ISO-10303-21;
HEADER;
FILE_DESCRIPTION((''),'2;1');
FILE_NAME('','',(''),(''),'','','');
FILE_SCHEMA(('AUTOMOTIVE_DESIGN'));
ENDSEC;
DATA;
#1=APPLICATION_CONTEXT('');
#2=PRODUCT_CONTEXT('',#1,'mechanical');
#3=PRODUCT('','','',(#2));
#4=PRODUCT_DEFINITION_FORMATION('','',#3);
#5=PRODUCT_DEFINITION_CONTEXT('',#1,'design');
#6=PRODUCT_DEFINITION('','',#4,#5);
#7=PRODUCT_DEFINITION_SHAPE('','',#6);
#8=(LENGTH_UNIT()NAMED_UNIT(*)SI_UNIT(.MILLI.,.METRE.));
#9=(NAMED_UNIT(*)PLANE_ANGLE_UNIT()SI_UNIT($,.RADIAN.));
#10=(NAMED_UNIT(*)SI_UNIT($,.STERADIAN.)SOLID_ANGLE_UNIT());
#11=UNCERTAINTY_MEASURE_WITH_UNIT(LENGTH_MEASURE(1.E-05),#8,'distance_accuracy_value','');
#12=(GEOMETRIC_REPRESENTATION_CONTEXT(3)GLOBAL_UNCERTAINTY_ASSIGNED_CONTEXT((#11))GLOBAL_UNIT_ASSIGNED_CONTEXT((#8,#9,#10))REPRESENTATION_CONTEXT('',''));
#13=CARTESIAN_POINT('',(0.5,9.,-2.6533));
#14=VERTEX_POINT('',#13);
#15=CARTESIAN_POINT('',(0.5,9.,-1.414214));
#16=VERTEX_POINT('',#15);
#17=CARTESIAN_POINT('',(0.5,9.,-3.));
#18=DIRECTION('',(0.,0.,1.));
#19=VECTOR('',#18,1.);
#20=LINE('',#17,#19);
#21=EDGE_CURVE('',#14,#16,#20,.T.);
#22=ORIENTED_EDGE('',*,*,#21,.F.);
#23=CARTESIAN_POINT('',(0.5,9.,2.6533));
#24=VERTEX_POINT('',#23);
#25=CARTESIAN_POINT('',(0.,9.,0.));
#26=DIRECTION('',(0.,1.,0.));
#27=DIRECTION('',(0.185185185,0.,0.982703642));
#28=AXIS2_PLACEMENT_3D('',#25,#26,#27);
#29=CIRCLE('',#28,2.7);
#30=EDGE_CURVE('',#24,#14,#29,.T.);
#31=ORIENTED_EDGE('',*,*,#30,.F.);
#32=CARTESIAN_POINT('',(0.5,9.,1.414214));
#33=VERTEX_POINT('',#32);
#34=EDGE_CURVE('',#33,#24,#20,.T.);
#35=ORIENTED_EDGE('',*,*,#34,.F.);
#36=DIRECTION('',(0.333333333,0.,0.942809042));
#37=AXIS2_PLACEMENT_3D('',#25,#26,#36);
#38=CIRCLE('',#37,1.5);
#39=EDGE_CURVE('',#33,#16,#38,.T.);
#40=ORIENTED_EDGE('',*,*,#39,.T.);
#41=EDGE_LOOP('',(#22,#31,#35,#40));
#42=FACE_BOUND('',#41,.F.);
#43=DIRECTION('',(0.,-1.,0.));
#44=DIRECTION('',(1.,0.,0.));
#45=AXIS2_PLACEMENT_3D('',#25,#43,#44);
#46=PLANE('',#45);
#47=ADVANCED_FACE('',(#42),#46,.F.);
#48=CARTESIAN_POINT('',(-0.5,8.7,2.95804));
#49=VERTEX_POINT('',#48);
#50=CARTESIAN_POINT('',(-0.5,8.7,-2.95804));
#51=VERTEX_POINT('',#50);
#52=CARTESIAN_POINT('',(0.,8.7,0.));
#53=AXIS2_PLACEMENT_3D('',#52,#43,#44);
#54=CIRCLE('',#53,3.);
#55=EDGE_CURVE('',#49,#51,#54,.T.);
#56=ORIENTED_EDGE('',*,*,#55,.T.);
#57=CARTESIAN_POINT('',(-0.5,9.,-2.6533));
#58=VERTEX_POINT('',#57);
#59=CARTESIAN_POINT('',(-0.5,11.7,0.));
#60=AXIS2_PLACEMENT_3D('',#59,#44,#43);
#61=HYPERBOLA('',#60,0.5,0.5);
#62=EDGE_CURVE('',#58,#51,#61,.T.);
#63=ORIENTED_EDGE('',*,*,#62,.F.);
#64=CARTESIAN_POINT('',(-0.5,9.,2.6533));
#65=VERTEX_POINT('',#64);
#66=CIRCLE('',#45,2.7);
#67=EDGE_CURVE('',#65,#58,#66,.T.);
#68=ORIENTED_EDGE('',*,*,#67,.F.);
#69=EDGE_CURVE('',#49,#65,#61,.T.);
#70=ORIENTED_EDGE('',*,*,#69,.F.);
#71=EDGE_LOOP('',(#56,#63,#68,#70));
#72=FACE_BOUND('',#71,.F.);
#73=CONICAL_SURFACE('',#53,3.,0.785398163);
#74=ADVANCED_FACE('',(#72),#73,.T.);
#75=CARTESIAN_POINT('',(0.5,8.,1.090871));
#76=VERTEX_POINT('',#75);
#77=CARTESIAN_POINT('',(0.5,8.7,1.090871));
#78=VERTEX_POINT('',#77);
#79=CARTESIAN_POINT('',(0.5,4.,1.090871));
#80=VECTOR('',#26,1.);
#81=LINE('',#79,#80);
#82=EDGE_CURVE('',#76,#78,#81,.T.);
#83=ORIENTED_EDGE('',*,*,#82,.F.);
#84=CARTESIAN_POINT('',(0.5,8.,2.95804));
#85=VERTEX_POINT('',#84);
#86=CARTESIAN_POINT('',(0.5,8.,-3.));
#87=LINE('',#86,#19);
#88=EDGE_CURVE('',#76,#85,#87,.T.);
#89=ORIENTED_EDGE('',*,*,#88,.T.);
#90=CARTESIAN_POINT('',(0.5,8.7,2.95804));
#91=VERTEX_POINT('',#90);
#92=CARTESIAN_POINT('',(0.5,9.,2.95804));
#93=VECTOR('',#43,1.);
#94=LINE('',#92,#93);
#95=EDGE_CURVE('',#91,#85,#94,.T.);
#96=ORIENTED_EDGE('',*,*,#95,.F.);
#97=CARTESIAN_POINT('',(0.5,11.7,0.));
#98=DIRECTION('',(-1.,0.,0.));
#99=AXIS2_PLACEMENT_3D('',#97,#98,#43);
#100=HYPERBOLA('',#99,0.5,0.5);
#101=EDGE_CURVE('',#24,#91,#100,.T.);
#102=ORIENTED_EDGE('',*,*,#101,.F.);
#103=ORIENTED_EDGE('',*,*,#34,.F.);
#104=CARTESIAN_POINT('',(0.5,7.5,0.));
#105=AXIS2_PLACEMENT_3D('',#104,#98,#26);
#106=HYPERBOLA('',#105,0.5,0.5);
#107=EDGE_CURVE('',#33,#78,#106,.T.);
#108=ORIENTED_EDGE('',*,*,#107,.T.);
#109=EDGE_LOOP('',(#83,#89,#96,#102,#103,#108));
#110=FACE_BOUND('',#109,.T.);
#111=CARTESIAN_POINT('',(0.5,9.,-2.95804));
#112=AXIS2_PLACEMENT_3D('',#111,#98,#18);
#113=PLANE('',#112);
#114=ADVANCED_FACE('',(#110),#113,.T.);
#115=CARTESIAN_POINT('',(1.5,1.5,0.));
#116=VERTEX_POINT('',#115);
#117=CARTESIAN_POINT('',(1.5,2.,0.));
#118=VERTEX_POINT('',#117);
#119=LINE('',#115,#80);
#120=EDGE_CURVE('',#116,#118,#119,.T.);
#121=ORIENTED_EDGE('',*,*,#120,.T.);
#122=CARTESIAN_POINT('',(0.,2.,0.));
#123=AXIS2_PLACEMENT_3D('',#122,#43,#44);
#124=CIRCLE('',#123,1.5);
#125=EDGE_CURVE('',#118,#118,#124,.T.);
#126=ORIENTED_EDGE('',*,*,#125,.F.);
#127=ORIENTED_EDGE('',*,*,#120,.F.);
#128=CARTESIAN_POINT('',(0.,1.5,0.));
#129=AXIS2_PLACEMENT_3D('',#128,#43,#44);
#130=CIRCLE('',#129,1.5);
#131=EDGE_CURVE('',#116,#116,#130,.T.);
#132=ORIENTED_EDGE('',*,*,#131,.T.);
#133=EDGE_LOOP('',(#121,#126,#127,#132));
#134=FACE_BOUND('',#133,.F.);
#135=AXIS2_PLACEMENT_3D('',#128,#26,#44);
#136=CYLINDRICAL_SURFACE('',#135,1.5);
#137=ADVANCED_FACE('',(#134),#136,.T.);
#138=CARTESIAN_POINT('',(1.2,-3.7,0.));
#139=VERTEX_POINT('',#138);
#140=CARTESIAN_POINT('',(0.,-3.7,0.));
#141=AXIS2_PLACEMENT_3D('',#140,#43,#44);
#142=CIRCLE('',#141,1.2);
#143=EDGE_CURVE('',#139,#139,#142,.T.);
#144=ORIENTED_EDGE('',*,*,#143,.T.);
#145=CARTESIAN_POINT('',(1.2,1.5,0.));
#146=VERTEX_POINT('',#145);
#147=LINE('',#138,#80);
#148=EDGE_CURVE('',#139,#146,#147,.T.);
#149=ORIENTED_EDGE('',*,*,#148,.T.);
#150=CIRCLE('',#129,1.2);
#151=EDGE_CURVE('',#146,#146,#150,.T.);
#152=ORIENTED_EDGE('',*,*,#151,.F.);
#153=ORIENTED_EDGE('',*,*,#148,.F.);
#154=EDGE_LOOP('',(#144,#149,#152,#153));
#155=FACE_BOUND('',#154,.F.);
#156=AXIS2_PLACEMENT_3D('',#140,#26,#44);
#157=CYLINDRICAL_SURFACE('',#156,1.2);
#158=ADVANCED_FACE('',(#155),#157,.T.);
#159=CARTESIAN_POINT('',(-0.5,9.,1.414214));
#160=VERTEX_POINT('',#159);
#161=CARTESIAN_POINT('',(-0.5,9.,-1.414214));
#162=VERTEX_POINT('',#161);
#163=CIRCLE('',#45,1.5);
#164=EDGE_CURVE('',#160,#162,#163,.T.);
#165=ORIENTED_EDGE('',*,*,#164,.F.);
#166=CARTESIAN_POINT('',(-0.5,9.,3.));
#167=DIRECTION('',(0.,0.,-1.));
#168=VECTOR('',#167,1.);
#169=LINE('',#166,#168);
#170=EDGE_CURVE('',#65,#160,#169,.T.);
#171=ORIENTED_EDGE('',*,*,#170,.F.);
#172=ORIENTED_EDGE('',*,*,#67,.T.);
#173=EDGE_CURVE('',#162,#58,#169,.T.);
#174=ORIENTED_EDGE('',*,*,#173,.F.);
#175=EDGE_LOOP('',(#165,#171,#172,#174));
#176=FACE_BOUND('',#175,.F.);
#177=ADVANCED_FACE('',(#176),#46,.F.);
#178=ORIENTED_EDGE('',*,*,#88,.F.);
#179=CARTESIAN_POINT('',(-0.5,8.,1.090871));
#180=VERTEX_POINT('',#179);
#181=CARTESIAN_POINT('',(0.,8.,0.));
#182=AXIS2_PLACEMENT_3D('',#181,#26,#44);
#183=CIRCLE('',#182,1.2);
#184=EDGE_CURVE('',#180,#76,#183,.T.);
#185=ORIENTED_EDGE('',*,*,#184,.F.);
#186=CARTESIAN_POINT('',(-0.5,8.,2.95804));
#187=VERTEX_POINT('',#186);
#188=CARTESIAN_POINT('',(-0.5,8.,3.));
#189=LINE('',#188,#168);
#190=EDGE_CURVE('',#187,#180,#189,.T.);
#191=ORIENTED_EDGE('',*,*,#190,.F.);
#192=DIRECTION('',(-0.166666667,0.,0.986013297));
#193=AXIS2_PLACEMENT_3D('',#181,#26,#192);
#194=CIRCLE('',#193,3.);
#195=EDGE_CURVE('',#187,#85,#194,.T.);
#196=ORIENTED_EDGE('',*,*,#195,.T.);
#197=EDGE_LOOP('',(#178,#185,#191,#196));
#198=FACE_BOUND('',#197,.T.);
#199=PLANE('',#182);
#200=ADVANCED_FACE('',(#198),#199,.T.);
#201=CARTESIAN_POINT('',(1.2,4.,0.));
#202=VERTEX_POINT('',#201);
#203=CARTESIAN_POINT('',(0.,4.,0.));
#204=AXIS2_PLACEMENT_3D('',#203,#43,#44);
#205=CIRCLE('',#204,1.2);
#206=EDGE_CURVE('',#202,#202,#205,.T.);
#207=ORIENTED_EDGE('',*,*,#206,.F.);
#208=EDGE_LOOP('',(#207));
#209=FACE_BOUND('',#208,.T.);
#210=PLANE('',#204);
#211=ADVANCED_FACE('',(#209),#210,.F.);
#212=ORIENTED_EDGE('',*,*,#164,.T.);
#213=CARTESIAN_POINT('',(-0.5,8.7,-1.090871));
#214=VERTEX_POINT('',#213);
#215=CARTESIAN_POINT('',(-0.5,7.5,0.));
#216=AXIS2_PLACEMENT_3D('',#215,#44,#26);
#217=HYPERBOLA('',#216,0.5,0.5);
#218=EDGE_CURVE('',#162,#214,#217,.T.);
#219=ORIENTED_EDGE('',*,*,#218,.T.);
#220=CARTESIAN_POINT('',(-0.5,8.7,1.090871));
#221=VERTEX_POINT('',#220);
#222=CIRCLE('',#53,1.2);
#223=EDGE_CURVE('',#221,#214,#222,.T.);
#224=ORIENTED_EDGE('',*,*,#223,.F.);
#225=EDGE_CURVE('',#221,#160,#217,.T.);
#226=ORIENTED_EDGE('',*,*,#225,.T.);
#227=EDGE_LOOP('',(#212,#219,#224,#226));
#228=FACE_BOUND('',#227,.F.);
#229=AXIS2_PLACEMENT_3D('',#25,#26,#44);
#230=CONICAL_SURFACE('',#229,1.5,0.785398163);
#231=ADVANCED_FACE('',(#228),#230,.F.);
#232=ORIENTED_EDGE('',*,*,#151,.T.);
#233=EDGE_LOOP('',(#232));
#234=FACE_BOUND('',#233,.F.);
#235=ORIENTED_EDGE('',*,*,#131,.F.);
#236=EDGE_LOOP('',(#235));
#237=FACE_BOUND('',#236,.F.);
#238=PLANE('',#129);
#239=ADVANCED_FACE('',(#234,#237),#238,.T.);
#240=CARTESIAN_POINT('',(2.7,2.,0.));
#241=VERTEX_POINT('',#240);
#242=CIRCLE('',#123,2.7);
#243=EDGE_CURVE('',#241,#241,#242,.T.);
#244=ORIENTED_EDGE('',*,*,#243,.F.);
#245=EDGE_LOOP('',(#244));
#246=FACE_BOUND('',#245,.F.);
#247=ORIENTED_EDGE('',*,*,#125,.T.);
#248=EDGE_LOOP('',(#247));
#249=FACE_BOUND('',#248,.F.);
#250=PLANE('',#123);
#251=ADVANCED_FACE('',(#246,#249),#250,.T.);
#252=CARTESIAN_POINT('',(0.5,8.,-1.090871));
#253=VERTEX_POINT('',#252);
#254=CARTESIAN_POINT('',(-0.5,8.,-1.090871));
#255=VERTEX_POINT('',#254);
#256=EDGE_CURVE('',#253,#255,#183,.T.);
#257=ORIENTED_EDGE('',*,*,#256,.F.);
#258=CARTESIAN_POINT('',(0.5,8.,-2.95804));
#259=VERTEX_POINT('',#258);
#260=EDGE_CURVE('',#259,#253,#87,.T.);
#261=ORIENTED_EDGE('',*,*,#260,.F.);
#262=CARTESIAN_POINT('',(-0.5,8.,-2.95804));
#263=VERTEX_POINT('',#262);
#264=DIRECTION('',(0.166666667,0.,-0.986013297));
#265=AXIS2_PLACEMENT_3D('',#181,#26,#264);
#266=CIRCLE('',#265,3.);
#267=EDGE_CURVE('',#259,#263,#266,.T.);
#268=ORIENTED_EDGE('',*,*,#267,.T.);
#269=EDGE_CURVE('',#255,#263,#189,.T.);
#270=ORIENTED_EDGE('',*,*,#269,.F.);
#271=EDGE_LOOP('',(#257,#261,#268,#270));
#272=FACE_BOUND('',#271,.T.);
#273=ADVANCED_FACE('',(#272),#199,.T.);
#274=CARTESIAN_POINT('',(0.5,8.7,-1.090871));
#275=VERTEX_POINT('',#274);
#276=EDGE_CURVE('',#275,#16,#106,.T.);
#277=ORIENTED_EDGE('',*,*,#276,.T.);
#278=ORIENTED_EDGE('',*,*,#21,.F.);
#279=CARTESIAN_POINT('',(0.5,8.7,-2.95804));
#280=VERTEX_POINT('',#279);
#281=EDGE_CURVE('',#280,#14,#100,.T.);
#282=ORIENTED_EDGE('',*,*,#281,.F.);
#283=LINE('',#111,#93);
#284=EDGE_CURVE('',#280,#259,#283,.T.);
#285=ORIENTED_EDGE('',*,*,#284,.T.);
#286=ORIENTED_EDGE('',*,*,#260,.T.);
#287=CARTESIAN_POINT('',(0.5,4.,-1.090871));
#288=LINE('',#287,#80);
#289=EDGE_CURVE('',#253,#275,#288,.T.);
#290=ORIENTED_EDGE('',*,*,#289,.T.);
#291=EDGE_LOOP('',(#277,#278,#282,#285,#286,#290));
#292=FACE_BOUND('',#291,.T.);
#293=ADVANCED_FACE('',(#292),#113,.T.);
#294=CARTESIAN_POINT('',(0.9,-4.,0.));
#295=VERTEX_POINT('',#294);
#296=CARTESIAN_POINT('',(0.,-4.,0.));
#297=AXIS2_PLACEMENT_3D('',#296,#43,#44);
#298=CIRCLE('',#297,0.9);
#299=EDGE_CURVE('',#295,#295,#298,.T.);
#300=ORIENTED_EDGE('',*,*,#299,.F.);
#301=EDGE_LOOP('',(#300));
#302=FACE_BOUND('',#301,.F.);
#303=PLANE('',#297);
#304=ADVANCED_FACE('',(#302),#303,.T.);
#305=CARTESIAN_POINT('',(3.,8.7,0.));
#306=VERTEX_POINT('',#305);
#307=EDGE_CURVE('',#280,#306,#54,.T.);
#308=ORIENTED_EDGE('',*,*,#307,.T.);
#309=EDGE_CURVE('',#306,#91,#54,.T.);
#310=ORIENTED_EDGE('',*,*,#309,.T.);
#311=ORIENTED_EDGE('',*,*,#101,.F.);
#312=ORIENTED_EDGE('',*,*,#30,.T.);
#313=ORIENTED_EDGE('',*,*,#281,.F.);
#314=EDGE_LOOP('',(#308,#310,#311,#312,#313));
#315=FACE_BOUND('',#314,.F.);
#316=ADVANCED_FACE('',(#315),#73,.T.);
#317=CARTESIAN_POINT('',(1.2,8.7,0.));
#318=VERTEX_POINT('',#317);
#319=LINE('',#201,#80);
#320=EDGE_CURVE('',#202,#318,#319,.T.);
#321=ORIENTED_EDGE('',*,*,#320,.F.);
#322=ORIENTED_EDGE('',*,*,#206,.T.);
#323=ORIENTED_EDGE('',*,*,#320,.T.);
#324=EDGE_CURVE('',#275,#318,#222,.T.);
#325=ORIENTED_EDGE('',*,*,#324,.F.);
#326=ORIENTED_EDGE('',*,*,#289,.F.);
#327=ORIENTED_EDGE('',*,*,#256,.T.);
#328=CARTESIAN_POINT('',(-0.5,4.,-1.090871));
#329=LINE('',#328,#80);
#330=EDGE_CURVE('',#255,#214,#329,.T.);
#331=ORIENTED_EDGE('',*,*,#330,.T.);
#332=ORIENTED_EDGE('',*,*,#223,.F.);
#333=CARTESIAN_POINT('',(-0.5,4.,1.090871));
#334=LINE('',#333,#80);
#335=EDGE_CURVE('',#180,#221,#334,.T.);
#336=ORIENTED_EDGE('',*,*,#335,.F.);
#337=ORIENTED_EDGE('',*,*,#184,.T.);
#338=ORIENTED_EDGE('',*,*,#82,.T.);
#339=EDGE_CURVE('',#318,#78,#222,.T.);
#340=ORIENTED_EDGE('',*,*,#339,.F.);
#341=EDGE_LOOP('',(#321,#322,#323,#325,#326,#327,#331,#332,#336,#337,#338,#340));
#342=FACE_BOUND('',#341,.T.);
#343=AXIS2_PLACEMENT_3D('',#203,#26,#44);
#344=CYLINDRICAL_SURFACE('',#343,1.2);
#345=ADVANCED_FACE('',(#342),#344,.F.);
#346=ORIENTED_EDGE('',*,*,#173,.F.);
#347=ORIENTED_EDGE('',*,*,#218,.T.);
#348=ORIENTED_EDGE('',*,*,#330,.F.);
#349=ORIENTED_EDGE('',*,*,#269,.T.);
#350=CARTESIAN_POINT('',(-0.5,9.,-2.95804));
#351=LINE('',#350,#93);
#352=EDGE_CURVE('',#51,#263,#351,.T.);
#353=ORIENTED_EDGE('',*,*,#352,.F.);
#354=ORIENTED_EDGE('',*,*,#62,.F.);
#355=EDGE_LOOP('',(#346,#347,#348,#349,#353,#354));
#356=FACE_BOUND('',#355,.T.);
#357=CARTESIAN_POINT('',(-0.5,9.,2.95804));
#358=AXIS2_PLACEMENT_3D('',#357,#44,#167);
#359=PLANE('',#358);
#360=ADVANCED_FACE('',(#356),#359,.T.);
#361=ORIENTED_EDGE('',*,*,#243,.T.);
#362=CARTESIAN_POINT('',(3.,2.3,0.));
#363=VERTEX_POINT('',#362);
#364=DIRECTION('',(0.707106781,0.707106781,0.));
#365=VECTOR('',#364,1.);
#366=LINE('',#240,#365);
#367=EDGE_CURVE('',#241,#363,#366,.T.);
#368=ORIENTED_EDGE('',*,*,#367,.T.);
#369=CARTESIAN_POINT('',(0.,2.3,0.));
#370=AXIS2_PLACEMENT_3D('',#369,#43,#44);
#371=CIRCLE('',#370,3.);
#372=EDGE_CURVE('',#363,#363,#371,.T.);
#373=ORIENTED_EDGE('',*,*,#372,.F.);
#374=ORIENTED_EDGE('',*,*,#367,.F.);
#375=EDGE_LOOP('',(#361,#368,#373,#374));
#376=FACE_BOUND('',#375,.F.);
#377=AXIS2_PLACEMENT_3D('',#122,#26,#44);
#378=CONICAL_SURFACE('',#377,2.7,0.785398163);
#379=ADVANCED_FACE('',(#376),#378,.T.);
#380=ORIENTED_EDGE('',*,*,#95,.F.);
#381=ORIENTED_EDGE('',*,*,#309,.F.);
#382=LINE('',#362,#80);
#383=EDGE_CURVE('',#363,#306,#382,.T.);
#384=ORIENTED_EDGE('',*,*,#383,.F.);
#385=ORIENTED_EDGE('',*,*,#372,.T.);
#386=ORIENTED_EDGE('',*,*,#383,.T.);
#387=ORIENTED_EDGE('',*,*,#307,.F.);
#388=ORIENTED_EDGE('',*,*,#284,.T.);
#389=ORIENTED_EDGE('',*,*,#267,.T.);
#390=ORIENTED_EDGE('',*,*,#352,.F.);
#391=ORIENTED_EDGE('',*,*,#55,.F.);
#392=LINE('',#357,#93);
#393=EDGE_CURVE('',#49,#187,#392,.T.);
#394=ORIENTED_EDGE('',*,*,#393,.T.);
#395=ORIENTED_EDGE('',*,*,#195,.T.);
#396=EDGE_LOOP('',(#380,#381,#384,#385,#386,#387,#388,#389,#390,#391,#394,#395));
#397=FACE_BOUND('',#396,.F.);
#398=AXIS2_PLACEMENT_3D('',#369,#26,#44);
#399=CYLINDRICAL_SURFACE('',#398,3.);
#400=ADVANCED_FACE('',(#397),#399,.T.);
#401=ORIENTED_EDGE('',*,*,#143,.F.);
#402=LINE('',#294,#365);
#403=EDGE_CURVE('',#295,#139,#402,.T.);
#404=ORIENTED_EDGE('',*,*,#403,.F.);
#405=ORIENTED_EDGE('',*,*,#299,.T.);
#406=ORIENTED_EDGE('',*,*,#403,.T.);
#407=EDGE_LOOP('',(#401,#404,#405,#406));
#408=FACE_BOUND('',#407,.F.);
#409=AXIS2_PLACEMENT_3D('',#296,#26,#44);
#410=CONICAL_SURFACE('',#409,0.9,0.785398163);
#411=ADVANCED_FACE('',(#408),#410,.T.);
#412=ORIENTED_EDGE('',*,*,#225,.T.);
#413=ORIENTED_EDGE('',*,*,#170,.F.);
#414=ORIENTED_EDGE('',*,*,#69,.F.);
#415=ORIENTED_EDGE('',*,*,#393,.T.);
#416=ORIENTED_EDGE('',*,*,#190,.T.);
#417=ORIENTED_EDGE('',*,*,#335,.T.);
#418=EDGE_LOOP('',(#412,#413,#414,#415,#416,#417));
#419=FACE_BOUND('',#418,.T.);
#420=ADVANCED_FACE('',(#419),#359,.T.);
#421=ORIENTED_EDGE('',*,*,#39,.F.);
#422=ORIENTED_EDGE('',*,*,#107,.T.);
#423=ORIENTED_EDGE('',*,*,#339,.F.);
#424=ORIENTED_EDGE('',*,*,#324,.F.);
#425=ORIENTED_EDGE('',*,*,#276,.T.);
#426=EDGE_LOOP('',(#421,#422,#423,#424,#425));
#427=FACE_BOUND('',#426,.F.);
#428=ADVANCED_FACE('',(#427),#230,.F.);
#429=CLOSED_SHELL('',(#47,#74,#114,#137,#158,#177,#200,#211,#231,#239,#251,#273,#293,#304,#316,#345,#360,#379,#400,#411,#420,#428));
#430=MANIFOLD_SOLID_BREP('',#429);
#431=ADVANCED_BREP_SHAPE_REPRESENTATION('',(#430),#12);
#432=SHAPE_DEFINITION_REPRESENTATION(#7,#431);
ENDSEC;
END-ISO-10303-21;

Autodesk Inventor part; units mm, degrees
ref_plane "YZ Plane" through (0, 0, 0) normal (1, 0, 0) x (0, 1, 0)
ref_plane "XZ Plane" through (0, 0, 0) normal (0, 1, 0) x (-1, 0, 0)
ref_plane "XY Plane" through (0, 0, 0) normal (0, 0, 1) x (1, 0, 0)
sketch "スケッチ1" plane through (0, 0, 0) normal (0, 0, 1) x (1, 0, 0)
  line L0 (0, -4) -> (0.9, -4)
  line L1 (0.9, -4) -> (1.2, -3.7)
  line L2 (1.2, -3.7) -> (1.2, 1.5)
  line L3 (1.2, 1.5) -> (1.5, 1.5)
  line L4 (1.5, 1.5) -> (1.5, 2)
  line L5 (1.5, 2) -> (2.7, 2)
  line L6 (3, 8.7) -> (2.7, 9)
  line L7 (2.7, 9) -> (1.5, 9)
  line L8 (1.5, 9) -> (1.2, 8.7)
  line L9 (0, 7.4044) -> (0, -7.4044) construction
  line L10 (0, -4) -> (0, 4)
  line L11 (0, 4) -> (1.2, 4)
  line L12 (1.2, 4) -> (1.2, 8.7)
  line L13 (2.7, 2) -> (3, 2.3)
  line L14 (3, 2.3) -> (3, 8.7)
  point P0 (0, 0)
  point P1 (0, 0)
  point P2 (0, 0)
  dimension "d0" = 2.4
  dimension "d1" = 6
  dimension "d2" = 0.3
  dimension "d3" = 0.3
  dimension "d4" = 3
  dimension "d5" = 0.5
  dimension "d6" = 7
  dimension "d7" = 0.3
  dimension "d8" = 2.4
  dimension "d9" = 5
  dimension "d10" = 0.3
  dimension "d11" = 0.3
  dimension "d12" = 0.3
  dimension "d13" = 0.3
  dimension "d14" = 6
revolve "回転1" add sketch "スケッチ1" angle 360 about axis through (0, 7.4044, 0) along (0, -1, 0)
sketch "スケッチ2" plane through (0, 9, 0) normal (0, 1, 0) x (1, 0, 0)
  line L0 (-0.5, 3) -> (0.5, 3)
  line L1 (0.5, 3) -> (0.5, -3)
  line L2 (0.5, -3) -> (-0.5, -3)
  line L3 (-0.5, -3) -> (-0.5, 3)
  line L4 (-0.5, 3) -> (0.5, -3) construction
  line L5 (0.5, 3) -> (-0.5, -3) construction
  circle A0 centre (0, 0) radius 3 projected
  point P0 (0, 0)
  point P1 (0.5, 2.958)
  point P2 (-0.5, 2.958)
  point P3 (-0.5, -2.958)
  point P4 (0.5, -2.958)
  dimension "d16" = 1
extrude "押し出し1" cut sketch "スケッチ2" against normal blind 1 contours A0 L1 L3
equation "\"d3\" = d2"
equation "\"d10\" = d7"
equation "\"d11\" = d7"
equation "\"d12\" = d11"
equation "\"d13\" = d12"
properties part number "BRU-307S" material "ステンレス鋼 AISI 304"
